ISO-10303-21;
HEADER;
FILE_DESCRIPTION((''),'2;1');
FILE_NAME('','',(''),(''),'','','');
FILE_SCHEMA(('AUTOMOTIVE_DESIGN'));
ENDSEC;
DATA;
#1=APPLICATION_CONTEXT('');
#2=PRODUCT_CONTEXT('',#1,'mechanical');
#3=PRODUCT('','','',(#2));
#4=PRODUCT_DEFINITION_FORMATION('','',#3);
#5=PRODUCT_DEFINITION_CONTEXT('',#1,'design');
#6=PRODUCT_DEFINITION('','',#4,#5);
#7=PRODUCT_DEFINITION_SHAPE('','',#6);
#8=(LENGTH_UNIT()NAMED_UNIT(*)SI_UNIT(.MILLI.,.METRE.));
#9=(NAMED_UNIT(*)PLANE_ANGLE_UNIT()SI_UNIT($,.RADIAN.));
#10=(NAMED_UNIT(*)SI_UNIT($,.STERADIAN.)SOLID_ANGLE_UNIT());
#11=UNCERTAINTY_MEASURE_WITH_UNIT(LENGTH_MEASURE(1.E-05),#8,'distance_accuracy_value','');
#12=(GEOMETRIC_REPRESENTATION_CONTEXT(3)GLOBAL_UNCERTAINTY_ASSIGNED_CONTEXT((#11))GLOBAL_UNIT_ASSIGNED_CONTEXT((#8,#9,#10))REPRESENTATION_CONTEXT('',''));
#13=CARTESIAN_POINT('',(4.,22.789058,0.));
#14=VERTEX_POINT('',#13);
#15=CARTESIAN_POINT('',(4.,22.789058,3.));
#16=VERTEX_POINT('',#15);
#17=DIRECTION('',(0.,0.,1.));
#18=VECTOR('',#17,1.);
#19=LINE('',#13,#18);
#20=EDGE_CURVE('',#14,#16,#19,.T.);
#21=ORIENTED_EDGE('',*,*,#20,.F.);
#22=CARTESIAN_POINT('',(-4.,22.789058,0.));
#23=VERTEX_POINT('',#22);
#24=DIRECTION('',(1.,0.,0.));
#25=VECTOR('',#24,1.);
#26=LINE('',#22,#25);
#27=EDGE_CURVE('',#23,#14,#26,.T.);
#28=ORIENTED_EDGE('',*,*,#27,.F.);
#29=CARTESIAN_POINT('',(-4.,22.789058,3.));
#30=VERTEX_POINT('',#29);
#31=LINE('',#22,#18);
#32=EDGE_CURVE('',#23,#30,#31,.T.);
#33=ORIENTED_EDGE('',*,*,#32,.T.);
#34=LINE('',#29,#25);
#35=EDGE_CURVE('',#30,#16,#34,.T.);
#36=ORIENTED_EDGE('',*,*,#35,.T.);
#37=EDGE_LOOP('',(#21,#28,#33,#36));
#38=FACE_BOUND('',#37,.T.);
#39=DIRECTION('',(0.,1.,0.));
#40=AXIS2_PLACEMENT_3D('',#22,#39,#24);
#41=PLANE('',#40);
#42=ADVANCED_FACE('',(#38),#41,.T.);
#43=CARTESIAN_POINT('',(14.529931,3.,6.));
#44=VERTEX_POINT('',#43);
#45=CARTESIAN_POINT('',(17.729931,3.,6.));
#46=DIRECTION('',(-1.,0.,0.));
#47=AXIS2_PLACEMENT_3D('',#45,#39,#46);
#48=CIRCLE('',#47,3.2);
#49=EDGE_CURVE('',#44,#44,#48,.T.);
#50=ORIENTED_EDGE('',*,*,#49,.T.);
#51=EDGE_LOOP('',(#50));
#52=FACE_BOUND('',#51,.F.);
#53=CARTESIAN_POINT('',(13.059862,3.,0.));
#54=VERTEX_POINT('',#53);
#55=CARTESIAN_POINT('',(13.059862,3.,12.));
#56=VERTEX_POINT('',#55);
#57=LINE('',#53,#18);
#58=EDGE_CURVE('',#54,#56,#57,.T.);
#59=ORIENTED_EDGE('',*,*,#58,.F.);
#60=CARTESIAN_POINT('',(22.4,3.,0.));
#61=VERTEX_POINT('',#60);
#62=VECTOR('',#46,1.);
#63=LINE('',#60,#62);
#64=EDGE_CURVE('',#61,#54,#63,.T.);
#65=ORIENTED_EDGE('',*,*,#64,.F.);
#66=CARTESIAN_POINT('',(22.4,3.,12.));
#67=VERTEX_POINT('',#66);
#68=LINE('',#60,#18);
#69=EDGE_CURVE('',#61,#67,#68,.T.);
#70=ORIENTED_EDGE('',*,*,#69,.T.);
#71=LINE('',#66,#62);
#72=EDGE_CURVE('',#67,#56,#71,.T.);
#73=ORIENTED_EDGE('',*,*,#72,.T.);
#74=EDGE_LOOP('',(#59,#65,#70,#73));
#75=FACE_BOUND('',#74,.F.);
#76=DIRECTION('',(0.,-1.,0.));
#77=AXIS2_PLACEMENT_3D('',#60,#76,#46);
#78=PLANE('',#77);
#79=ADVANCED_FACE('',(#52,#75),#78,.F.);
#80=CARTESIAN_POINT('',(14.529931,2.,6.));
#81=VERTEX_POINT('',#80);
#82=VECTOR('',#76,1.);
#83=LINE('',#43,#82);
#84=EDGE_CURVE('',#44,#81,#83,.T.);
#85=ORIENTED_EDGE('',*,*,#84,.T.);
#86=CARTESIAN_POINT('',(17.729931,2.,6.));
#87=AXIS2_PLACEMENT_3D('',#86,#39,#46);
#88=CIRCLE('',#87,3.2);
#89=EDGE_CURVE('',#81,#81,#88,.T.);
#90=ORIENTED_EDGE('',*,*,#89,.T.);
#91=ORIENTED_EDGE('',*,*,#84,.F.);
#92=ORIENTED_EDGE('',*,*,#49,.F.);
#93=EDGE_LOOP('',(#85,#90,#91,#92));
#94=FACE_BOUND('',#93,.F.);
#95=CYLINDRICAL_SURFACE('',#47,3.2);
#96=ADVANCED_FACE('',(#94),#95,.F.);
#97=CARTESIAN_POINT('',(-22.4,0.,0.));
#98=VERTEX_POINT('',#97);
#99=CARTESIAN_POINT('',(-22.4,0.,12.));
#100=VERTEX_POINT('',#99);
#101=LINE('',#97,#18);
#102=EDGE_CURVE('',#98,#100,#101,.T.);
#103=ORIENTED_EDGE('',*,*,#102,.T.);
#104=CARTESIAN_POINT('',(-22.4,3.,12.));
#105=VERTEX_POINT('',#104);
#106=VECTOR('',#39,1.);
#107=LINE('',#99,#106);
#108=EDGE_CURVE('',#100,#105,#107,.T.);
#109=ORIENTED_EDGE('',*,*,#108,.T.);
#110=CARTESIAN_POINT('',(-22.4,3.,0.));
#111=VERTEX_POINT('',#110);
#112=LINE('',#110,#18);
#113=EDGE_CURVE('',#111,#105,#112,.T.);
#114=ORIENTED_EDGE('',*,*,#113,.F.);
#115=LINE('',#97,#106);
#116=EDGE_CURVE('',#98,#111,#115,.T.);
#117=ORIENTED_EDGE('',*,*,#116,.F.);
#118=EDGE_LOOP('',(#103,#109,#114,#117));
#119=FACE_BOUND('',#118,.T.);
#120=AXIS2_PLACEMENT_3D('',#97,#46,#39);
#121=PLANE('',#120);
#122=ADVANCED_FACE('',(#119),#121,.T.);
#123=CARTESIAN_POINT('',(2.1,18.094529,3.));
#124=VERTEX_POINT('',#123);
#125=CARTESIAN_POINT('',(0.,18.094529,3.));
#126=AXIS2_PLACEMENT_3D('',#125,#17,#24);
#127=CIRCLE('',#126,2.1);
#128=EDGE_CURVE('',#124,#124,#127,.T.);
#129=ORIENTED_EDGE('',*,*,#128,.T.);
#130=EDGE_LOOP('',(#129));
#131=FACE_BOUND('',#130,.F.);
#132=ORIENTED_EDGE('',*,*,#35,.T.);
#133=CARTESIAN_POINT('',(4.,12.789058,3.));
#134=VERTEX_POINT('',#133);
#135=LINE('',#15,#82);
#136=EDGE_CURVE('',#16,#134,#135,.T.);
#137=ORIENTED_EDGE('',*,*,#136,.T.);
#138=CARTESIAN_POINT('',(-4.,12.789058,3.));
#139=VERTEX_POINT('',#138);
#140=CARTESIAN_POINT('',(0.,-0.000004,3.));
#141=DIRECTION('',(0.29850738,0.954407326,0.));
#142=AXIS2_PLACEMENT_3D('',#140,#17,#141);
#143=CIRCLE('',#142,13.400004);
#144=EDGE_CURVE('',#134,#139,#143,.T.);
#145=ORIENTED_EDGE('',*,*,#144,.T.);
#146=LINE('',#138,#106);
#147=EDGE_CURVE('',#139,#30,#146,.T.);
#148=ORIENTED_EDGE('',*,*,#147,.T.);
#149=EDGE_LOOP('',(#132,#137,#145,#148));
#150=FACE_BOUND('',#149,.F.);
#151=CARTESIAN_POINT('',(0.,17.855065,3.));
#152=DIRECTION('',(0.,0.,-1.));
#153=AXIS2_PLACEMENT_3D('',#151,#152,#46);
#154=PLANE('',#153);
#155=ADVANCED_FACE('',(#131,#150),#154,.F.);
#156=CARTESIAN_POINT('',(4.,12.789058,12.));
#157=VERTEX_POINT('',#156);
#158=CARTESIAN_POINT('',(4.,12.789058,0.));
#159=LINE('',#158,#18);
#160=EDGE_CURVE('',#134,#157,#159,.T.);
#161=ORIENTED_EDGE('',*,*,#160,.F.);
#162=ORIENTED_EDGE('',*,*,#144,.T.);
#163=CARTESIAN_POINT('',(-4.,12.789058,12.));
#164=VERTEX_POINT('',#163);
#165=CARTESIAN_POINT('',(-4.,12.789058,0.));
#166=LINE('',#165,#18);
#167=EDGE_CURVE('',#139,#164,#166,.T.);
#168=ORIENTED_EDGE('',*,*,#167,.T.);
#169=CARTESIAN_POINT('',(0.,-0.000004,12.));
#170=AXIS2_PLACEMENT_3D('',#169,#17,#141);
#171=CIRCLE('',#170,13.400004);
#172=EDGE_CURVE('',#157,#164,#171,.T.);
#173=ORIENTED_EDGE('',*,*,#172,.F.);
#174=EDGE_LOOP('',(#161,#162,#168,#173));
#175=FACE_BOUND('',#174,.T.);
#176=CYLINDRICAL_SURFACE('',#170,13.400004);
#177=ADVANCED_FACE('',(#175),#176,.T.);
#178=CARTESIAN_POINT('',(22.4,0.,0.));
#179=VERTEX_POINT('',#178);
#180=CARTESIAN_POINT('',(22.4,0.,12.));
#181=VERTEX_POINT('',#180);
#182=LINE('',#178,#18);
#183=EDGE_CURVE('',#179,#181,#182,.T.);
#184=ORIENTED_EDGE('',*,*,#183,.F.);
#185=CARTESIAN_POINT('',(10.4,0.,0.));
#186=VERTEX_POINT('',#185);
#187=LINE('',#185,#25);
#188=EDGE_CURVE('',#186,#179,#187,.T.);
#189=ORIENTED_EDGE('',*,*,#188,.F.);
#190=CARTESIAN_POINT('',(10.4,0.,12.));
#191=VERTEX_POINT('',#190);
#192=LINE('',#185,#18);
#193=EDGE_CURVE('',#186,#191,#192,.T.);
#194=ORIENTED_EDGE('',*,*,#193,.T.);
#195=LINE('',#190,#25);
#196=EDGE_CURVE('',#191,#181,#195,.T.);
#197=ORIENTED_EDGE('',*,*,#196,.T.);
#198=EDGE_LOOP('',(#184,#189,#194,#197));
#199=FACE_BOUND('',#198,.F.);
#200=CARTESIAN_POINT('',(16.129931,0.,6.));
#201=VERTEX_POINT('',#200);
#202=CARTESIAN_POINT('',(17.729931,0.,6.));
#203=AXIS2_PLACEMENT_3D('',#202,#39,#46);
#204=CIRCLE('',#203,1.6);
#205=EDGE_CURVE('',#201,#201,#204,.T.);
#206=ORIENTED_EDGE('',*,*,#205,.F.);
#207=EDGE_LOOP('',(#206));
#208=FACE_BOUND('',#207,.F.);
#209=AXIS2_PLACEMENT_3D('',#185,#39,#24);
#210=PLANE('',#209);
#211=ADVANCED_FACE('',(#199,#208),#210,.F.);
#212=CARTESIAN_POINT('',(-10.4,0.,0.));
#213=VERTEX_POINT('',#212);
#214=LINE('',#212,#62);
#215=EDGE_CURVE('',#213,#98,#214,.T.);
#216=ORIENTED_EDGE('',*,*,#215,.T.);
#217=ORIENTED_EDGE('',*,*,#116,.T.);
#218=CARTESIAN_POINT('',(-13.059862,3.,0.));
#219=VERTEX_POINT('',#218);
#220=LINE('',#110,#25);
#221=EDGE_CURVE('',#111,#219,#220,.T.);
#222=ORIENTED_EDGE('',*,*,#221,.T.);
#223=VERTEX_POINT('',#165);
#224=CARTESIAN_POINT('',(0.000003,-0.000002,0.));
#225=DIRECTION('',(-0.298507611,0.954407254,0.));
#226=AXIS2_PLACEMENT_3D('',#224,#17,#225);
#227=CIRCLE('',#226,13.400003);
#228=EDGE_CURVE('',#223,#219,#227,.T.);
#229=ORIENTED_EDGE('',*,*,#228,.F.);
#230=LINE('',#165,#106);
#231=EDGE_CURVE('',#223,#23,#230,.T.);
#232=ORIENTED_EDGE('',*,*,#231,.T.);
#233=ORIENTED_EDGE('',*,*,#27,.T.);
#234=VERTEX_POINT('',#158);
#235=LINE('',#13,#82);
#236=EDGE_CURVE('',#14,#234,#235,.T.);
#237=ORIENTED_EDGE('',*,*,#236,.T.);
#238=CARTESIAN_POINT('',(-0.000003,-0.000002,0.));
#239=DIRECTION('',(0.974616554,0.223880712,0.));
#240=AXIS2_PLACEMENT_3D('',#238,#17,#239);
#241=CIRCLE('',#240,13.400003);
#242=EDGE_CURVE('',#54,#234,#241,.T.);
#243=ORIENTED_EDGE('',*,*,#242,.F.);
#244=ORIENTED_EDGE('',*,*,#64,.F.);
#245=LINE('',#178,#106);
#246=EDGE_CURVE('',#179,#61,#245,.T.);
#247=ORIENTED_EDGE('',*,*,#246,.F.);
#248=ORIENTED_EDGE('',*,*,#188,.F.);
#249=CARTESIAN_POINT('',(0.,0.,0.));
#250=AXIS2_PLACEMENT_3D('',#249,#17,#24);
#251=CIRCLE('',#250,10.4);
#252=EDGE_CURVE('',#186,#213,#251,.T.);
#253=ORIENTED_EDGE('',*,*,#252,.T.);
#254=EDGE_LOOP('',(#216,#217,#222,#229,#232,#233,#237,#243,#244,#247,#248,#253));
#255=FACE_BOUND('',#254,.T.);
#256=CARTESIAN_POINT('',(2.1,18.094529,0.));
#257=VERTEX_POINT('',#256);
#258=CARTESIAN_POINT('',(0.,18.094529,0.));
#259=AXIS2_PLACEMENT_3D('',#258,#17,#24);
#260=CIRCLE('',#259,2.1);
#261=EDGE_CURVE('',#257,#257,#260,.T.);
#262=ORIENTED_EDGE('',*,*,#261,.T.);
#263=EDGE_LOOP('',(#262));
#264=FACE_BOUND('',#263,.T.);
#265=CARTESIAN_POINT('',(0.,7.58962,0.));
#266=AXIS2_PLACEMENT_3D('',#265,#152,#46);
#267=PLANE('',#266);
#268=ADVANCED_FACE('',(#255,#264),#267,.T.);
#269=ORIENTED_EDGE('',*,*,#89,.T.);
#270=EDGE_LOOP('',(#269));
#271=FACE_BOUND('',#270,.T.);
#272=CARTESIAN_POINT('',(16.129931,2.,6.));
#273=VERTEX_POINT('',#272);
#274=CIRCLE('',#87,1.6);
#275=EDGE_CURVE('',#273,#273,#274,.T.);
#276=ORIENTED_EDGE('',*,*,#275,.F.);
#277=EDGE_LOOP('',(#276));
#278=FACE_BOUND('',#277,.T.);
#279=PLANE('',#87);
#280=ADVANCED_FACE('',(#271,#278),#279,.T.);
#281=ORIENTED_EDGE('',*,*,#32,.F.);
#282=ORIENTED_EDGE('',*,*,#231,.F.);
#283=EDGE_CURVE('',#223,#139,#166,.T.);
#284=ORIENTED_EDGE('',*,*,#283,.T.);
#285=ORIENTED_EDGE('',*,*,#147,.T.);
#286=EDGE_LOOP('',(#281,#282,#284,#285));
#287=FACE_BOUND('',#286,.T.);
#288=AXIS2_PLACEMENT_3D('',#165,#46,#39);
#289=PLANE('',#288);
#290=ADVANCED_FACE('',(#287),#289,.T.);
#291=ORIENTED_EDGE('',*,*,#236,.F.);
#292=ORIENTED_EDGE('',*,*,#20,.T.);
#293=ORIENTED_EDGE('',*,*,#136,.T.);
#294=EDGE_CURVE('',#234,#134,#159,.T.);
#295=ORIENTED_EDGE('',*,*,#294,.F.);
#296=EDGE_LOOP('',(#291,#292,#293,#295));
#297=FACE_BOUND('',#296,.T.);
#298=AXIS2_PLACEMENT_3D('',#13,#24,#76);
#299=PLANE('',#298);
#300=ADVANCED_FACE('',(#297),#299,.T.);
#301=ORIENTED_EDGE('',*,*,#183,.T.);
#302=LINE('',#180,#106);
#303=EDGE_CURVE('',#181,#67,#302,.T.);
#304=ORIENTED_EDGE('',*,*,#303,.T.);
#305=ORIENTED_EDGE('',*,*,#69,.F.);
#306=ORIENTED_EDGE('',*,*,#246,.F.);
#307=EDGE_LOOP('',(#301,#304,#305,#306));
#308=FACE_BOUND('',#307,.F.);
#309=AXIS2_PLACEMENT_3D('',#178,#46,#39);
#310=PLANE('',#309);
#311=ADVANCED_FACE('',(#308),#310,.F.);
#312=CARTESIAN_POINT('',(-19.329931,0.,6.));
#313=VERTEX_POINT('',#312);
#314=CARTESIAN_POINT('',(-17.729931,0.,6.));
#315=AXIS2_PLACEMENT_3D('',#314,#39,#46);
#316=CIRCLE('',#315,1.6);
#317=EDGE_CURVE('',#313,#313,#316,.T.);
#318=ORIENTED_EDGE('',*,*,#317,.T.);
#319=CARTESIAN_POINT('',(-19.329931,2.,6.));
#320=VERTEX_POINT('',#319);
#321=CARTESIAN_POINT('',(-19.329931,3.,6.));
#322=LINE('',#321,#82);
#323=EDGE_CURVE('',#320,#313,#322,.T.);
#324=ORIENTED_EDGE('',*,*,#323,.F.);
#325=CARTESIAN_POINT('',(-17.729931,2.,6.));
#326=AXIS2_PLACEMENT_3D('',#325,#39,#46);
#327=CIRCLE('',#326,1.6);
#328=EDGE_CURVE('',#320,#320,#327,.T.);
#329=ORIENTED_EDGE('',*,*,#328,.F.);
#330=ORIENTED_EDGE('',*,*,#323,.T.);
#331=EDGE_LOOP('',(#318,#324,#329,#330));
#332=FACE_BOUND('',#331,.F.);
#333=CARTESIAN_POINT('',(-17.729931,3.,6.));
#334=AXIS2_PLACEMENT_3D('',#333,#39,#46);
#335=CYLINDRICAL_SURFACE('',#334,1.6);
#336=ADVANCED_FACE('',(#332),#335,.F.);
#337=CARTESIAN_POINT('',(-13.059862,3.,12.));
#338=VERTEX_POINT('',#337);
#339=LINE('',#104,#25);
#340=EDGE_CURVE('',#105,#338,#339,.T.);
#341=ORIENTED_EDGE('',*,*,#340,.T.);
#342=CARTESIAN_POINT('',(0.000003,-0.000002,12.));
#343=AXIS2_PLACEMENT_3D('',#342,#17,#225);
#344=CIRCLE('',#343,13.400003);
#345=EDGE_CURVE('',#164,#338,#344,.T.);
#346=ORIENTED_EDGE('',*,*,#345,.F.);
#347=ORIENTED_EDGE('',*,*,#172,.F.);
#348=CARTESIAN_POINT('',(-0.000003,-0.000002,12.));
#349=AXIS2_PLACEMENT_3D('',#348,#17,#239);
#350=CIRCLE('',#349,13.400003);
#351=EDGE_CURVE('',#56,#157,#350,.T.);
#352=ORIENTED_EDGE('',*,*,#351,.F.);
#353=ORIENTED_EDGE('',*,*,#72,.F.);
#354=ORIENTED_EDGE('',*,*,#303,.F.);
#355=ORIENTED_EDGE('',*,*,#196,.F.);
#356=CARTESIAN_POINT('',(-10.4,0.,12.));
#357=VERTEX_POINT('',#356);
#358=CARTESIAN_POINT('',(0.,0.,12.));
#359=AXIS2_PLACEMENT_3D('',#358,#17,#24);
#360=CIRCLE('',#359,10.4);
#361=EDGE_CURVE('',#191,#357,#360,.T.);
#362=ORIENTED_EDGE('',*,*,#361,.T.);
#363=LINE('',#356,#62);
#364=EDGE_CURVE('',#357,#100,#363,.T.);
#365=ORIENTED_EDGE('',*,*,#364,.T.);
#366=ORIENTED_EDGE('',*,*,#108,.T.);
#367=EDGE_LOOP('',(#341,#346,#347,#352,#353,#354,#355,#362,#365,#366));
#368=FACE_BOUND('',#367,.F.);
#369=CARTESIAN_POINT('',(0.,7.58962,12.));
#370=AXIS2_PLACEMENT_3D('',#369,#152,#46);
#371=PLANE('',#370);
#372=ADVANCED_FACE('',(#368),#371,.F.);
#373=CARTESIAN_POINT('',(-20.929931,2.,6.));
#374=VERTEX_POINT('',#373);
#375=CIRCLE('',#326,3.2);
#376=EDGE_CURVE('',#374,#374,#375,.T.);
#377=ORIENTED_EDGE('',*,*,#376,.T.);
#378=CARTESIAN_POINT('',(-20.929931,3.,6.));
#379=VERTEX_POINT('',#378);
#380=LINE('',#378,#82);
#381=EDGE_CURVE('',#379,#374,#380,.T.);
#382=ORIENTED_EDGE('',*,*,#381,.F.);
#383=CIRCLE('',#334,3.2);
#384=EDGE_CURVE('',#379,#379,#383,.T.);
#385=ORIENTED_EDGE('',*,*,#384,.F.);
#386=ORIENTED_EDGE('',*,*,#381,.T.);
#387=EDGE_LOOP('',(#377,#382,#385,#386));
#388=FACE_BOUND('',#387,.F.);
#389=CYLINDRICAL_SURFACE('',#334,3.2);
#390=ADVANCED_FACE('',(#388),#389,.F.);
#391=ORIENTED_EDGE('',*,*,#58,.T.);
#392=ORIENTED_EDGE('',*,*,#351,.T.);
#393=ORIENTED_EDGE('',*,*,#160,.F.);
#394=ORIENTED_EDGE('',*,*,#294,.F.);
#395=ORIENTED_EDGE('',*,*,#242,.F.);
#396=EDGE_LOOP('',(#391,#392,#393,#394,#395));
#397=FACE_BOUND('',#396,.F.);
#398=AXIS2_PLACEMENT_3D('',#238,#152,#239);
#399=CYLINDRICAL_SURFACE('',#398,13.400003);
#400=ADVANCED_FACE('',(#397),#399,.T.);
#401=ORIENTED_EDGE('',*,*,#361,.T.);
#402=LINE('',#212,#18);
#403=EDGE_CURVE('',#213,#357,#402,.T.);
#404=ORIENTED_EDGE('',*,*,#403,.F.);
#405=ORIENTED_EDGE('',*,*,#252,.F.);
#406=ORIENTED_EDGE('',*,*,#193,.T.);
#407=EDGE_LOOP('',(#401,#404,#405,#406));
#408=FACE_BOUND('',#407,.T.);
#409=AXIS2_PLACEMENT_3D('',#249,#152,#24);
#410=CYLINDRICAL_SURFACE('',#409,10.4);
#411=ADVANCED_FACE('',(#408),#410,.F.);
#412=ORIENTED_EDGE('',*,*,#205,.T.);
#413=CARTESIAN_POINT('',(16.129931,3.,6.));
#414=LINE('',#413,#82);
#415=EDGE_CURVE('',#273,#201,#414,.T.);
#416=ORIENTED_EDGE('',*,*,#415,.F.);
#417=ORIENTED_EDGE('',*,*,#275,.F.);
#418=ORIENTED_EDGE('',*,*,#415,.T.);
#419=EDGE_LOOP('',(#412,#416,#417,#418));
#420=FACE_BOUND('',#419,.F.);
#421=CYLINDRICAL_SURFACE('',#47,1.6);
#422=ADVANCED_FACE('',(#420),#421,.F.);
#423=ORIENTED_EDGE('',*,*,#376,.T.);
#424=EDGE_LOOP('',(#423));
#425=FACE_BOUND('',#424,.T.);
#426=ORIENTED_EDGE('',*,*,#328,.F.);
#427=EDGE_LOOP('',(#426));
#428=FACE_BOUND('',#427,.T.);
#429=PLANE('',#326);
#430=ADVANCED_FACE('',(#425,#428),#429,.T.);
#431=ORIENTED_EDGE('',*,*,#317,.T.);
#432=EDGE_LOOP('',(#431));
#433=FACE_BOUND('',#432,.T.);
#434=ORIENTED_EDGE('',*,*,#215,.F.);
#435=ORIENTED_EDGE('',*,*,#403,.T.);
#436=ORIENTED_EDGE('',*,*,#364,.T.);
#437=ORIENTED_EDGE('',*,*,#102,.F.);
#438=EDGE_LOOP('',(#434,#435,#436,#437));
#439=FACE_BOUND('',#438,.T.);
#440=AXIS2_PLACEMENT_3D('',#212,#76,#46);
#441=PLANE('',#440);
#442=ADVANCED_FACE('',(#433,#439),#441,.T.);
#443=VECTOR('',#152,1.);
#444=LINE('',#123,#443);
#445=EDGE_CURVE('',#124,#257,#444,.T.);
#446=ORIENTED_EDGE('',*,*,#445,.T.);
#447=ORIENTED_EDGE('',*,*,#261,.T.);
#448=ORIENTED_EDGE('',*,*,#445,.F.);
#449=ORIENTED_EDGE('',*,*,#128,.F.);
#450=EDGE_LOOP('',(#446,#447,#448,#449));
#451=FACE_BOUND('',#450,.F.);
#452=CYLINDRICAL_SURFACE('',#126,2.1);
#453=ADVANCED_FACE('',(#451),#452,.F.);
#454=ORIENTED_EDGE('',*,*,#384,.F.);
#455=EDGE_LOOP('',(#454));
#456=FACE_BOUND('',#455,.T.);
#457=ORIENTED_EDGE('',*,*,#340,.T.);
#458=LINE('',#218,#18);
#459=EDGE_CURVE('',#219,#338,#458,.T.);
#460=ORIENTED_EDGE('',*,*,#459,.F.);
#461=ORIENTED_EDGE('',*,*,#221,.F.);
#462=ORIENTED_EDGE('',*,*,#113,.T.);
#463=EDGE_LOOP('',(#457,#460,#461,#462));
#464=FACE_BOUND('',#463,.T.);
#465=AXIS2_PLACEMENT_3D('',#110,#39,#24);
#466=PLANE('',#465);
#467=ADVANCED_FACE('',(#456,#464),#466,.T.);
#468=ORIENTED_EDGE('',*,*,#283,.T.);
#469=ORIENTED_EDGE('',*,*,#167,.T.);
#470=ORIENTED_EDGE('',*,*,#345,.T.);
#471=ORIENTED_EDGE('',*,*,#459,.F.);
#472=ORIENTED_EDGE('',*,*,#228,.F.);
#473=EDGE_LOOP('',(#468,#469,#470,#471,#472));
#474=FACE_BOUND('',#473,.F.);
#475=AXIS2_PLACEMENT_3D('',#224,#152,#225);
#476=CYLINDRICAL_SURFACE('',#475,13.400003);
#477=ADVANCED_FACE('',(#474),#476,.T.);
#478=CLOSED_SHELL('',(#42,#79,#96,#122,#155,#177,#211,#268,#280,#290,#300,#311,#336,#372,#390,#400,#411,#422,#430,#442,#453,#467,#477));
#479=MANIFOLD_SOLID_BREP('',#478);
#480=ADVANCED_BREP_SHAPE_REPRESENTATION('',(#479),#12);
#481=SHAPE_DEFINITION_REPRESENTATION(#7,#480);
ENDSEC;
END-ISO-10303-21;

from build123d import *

# Parameters (mm, degrees)
PAD_DEPTH       = 12
POCKET_DEPTH    = 9
SKETCH002_R     = 2.1
POCKET001_DEPTH = 3
SKETCH003_R     = 1.6
POCKET002_DEPTH = 3.001
SKETCH004_R     = 3.2
POCKET003_DEPTH = 1


with BuildPart() as part:
    # Sketch → Pad (new body)
    with BuildSketch(Plane.XY):
        with BuildLine():
            ThreePointArc((10.4, 0), (0, 10.4), (-10.4, 0))
            Line((-10.4, 0), (-22.4, 0))
            Line((-22.4, 0), (-22.4, 3))
            Line((-22.4, 3), (-13.059862, 3))
            ThreePointArc((-4, 12.789058), (-9.834436, 9.10186), (-13.059862, 3))
            Line((-4, 12.789058), (-4, 22.789058))
            Line((-4, 22.789058), (4, 22.789058))
            Line((4, 22.789058), (4, 12.789058))
            ThreePointArc((13.059862, 3), (9.834436, 9.10186), (4, 12.789058))
            Line((22.4, 3), (13.059862, 3))
            Line((22.4, 0), (22.4, 3))
            Line((10.4, 0), (22.4, 0))
        make_face()
    extrude(amount=PAD_DEPTH)

    # Sketch001 (on Face14 of Pad) → Pocket (cut)
    with BuildSketch(Plane.XY.offset(12)):
        with BuildLine():
            Line((-4, 12.789058), (-4, 22.789058))
            Line((-4, 22.789058), (4, 22.789058))
            Line((4, 22.789058), (4, 12.789058))
            ThreePointArc((4, 12.789058), (0, 13.4), (-4, 12.789058))
        make_face()
    extrude(amount=-POCKET_DEPTH, mode=Mode.SUBTRACT)

    # Sketch002 (on Face16 of Pocket) → Pocket001 (cut)
    with BuildSketch(Plane.XY.offset(3)):
        with Locations((0, 18.094529)):
            Circle(SKETCH002_R)
    extrude(amount=-POCKET001_DEPTH, mode=Mode.SUBTRACT)

    # Sketch003 (on Face9 of Pocket001) → Pocket002 (cut, through all)
    with BuildSketch(Plane(origin=(0, 3, 0), x_dir=(-1, 0, 0), z_dir=(0, 1, 0))):
        with Locations((-17.729931, 6)):
            Circle(SKETCH003_R)
        with Locations((17.729931, 6)):
            Circle(SKETCH003_R)
    extrude(amount=-POCKET002_DEPTH, mode=Mode.SUBTRACT)

    # Sketch004 (on Face11 of Pocket002) → Pocket003 (cut)
    with BuildSketch(Plane(origin=(0, 3, 0), x_dir=(-1, 0, 0), z_dir=(0, 1, 0))):
        with Locations((-17.729931, 6)):
            Circle(SKETCH004_R)
        with Locations((17.729931, 6)):
            Circle(SKETCH004_R)
    extrude(amount=-POCKET003_DEPTH, mode=Mode.SUBTRACT)


solid = part.part
